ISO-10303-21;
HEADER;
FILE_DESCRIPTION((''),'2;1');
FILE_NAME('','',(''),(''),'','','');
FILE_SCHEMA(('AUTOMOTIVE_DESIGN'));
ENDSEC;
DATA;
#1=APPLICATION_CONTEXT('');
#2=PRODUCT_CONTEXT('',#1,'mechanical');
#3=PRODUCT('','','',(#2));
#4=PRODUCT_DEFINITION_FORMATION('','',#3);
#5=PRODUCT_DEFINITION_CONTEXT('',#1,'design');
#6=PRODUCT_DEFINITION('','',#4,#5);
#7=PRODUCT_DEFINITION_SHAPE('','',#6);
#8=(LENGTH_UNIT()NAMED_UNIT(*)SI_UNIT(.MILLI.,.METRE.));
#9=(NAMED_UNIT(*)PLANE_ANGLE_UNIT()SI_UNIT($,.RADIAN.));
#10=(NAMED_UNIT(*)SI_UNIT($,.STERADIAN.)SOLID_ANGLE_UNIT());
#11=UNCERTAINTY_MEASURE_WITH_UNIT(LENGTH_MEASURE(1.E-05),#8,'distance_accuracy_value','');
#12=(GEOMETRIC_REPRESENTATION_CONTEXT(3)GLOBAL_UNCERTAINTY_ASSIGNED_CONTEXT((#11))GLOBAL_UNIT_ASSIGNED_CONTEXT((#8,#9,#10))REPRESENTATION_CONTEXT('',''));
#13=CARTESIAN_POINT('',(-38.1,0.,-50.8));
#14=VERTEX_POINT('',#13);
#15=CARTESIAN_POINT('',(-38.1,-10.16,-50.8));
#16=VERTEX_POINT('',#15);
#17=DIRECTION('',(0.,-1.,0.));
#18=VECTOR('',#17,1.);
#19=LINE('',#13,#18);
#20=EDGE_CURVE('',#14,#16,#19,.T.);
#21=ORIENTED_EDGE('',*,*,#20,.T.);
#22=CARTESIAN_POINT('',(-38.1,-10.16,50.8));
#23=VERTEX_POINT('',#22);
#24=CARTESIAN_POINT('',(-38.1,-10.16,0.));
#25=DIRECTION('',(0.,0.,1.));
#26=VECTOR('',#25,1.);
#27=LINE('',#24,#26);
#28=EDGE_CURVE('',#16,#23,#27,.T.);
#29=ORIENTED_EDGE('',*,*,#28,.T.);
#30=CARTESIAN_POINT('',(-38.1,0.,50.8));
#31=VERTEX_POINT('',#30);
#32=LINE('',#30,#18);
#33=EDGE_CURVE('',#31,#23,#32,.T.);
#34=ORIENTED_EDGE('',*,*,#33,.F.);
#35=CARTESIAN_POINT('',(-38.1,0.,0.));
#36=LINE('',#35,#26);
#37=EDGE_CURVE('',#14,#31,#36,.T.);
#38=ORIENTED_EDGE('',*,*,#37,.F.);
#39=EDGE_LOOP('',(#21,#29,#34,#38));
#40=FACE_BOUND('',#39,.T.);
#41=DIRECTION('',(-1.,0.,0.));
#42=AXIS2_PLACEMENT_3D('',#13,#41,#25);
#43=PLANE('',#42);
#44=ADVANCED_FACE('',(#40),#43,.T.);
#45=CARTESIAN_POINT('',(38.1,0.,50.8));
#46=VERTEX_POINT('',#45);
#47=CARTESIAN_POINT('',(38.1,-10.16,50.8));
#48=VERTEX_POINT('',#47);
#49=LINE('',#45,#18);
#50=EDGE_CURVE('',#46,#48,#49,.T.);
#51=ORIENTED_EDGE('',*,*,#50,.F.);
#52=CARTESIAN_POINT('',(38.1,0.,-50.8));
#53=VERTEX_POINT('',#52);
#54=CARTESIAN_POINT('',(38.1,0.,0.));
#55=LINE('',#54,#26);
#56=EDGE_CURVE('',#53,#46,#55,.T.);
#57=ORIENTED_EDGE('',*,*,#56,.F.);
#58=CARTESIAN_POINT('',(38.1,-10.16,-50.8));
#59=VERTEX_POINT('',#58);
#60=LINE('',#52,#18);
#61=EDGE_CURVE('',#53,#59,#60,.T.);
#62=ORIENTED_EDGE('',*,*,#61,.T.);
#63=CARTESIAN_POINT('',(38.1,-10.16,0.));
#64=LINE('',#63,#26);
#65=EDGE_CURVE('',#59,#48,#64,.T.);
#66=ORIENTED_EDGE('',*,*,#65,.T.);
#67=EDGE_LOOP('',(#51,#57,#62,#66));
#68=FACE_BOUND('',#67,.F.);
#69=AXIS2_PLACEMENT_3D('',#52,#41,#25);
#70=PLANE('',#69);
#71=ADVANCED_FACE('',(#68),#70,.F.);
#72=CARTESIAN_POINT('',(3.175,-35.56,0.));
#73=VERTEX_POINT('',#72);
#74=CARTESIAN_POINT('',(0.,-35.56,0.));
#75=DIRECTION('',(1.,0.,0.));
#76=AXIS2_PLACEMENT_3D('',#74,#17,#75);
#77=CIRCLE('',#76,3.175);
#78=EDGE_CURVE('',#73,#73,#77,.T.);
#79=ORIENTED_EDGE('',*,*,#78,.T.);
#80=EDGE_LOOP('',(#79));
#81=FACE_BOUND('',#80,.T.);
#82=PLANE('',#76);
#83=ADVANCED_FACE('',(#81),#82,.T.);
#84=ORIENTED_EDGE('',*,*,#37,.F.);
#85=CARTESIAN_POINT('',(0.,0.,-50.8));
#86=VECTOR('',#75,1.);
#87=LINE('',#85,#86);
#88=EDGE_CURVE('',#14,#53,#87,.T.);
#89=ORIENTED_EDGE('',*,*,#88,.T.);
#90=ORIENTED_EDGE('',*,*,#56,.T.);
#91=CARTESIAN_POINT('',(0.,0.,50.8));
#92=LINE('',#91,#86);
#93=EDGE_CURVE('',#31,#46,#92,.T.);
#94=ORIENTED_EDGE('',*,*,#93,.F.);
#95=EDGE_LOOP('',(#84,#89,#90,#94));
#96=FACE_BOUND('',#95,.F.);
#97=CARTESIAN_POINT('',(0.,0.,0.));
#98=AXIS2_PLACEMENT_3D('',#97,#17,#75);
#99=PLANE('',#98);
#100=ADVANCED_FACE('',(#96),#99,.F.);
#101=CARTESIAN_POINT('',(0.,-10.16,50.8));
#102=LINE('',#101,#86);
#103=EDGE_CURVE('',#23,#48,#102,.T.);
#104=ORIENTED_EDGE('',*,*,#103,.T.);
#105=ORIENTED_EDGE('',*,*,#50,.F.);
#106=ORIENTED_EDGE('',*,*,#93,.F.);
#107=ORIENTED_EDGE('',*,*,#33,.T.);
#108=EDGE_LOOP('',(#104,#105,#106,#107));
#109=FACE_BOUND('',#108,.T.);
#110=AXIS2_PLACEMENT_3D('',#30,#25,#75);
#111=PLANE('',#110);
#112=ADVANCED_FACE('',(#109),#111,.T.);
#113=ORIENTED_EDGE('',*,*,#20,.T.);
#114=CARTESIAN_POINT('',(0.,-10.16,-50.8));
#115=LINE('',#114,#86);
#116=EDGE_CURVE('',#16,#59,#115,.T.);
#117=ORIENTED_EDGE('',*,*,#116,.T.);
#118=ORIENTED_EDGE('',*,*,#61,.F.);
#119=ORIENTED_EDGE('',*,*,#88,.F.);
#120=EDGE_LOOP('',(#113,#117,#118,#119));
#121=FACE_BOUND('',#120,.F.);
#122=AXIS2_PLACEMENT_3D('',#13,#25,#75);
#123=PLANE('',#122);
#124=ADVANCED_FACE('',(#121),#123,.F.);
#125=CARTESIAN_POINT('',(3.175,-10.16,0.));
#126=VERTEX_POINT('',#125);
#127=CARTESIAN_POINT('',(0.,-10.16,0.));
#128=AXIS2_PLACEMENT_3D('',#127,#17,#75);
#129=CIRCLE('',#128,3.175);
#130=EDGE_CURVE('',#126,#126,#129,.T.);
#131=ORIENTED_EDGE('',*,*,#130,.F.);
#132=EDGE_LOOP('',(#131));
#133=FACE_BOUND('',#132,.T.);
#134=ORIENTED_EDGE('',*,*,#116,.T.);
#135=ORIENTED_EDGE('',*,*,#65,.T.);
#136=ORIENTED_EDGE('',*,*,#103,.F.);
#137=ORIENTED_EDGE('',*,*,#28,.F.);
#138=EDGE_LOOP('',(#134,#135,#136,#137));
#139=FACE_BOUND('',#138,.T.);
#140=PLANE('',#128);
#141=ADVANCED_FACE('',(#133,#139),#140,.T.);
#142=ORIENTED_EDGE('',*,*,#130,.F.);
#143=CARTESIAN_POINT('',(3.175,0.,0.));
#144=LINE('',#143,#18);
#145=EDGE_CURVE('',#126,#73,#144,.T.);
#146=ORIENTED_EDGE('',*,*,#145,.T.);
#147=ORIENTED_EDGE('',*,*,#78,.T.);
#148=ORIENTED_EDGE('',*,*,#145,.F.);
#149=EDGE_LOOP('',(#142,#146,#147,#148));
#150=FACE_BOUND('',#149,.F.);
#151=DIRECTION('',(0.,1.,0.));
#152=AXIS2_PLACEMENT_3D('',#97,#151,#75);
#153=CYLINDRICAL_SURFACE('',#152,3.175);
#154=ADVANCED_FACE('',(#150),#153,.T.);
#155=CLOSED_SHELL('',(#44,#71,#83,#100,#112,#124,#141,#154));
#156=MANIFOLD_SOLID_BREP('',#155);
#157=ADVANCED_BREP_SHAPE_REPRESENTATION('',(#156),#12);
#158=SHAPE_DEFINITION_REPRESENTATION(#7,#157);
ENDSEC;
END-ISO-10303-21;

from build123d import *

# Parameters (mm, degrees)
F0_R     = 3.175
F1_DEPTH = 35.56
F0_W     = 76.2
F0_H     = 101.6
F2_DEPTH = 10.16


with BuildPart() as f1:
    # F0 (on Front) → F1 (new body)
    with BuildSketch(Plane.XZ):
        Circle(F0_R)
    extrude(amount=F1_DEPTH)

    # F0 (on Front) → F2 (join)
    with BuildSketch(Plane.XZ):
        Rectangle(F0_W, F0_H)
        Circle(F0_R, mode=Mode.SUBTRACT)
    extrude(amount=F2_DEPTH)


solid = f1.part
